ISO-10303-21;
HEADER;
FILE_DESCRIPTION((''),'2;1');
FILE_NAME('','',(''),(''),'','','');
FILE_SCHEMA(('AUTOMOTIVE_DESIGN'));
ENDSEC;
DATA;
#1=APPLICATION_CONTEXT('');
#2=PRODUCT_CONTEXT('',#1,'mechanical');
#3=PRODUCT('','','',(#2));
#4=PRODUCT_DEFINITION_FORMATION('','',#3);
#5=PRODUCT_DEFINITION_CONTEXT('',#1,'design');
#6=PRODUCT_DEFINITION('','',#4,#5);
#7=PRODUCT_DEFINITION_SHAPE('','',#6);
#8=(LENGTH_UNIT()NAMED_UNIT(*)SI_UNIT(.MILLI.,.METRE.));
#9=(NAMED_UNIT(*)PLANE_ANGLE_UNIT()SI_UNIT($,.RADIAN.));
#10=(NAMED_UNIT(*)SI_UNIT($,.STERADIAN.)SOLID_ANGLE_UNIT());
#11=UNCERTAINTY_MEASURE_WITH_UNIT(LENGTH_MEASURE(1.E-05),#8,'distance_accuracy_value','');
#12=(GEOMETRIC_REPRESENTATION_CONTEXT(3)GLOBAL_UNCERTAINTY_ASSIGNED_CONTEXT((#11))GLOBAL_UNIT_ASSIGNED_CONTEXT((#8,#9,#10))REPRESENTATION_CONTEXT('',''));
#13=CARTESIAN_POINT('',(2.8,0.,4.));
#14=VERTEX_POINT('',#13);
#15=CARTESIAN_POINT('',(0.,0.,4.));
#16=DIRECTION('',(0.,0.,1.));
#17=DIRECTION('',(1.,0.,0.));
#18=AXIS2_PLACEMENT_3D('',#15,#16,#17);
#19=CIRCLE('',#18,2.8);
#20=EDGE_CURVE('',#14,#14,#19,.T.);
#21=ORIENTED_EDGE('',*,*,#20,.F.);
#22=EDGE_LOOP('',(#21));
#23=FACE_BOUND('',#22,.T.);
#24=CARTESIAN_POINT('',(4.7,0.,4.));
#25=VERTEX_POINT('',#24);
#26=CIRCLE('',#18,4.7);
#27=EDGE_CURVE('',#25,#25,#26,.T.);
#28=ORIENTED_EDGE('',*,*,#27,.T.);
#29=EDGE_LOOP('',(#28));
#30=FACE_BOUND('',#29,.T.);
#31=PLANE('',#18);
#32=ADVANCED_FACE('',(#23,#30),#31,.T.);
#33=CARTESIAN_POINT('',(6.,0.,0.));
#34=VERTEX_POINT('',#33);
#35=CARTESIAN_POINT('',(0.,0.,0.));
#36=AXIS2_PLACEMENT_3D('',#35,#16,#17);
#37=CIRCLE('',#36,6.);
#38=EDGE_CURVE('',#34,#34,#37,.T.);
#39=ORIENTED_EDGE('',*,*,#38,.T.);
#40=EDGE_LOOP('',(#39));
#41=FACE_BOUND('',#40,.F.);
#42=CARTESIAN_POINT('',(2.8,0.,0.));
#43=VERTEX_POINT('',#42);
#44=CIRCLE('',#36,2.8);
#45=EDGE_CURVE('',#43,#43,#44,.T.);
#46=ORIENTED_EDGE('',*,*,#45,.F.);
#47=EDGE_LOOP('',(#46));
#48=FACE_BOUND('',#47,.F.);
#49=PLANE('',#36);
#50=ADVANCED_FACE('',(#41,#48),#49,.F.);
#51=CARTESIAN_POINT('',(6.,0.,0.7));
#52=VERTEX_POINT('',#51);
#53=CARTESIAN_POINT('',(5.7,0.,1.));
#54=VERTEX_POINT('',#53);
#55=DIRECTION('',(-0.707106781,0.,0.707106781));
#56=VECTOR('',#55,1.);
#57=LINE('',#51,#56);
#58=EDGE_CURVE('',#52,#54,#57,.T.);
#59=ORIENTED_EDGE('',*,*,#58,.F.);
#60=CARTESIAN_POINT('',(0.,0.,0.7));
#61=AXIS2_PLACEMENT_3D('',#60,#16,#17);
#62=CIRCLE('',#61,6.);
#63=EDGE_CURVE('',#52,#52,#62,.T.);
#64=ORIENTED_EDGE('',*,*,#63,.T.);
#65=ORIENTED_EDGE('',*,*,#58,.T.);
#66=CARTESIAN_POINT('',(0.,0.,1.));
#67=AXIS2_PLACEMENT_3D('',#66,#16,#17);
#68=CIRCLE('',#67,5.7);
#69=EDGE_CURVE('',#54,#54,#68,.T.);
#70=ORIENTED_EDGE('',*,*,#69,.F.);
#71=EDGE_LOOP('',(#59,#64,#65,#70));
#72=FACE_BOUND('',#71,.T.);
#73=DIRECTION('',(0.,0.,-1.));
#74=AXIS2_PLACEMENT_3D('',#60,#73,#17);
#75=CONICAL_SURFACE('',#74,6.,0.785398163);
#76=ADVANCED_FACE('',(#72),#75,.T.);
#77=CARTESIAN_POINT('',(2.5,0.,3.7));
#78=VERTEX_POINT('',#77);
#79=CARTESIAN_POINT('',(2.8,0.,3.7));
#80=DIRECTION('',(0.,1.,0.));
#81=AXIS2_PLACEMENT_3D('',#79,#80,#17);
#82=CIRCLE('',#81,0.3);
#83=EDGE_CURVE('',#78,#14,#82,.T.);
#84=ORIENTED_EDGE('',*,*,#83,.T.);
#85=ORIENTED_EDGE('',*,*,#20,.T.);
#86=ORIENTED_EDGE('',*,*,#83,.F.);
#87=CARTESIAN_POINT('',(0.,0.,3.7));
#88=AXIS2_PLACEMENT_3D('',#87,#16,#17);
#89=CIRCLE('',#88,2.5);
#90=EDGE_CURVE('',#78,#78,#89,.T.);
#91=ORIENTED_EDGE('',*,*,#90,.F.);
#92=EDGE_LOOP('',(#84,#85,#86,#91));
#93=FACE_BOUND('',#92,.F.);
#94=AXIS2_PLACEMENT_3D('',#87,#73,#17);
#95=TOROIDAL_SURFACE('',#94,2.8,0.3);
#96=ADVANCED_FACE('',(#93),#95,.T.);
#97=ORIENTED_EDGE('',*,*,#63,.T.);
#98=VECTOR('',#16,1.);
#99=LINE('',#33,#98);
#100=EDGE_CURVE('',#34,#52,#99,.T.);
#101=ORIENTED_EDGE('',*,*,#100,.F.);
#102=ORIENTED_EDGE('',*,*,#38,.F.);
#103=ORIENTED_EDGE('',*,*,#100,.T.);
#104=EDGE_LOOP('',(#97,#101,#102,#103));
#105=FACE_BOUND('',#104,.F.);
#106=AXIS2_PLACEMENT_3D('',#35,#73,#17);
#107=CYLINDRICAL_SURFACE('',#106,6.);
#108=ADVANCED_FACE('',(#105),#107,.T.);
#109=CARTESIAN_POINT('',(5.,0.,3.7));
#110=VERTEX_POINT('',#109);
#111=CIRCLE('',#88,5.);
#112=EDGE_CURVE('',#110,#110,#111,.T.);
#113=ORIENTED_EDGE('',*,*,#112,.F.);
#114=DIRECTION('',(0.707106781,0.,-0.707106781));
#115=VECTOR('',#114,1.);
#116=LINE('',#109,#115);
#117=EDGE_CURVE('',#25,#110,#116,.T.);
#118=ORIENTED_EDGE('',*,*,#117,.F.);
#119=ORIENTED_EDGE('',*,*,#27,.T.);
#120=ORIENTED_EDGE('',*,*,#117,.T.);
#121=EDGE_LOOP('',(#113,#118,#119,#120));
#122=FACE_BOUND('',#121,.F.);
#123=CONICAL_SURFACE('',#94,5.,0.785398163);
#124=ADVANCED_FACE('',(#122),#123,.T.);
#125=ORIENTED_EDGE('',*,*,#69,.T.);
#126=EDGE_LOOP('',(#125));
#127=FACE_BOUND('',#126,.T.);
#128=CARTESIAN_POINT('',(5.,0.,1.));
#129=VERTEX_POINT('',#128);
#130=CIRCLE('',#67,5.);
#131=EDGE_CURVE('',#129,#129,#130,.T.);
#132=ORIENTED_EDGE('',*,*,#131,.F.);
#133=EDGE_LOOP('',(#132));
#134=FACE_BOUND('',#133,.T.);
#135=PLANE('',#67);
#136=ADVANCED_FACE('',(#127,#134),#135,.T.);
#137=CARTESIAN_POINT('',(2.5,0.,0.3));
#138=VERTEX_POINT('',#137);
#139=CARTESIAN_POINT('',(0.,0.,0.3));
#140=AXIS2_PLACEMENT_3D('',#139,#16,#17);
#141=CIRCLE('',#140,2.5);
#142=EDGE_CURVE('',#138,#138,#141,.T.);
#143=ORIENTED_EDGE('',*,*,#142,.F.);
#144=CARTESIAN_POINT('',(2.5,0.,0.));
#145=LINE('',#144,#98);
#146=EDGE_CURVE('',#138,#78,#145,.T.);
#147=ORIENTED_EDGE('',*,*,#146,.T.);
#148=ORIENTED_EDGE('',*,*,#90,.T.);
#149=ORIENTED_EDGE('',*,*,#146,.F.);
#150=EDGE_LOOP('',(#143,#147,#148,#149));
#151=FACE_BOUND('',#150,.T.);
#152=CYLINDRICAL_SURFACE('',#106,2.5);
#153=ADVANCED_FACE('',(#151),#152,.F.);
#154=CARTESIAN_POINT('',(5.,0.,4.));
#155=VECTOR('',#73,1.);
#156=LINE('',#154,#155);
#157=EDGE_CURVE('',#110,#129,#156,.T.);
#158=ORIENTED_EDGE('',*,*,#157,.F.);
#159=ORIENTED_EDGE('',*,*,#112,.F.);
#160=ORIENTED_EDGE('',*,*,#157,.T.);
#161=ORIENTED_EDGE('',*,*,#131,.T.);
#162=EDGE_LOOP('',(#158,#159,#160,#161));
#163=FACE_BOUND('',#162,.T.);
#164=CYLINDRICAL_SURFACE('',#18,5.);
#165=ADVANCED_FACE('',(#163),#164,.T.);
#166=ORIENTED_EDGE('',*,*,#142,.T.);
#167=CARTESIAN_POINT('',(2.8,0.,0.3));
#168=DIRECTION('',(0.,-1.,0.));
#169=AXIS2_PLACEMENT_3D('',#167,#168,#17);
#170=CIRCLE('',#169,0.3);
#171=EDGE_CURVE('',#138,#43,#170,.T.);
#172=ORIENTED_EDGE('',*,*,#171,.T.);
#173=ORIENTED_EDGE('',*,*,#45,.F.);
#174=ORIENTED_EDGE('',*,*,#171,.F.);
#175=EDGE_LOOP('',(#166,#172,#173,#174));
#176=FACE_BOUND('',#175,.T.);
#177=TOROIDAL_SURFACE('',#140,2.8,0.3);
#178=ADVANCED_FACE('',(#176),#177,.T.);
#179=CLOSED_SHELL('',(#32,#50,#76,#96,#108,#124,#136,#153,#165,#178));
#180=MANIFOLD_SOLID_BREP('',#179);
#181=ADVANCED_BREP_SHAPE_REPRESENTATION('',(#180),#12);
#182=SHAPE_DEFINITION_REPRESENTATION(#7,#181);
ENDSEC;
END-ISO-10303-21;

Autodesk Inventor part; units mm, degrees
ref_plane "YZ Plane" through (0, 0, 0) normal (1, 0, 0) x (0, 1, 0)
ref_plane "XZ Plane" through (0, 0, 0) normal (0, 1, 0) x (-1, 0, 0)
ref_plane "XY Plane" through (0, 0, 0) normal (0, 0, 1) x (1, 0, 0)
sketch "Boceto1" plane through (0, 0, 0) normal (0, 0, 1) x (1, 0, 0)
  circle A0 centre (0, 0) radius 6
  circle A1 centre (0, 0) radius 2.5
extrude "Extrusión1" add sketch "Boceto1" along normal blind 4
sketch "Boceto2" plane through (0, 0, 4) normal (0, 0, 1) x (1, 0, 0)
  circle A0 centre (0, 0) radius 6 projected
  circle A1 centre (0, 0) radius 5
fillet "Empalme1" radius 0.3 2 edges at (-2.5, 0, 4) (-2.5, 0, 0)
extrude "Extrusión3" cut sketch "Boceto2" against normal blind 3
chamfer "Chaflán2" distance 0.3 angle 45 2 edges at (-5, 0, 4) (-6, 0, 1)
properties part number "cojinete polea x"
